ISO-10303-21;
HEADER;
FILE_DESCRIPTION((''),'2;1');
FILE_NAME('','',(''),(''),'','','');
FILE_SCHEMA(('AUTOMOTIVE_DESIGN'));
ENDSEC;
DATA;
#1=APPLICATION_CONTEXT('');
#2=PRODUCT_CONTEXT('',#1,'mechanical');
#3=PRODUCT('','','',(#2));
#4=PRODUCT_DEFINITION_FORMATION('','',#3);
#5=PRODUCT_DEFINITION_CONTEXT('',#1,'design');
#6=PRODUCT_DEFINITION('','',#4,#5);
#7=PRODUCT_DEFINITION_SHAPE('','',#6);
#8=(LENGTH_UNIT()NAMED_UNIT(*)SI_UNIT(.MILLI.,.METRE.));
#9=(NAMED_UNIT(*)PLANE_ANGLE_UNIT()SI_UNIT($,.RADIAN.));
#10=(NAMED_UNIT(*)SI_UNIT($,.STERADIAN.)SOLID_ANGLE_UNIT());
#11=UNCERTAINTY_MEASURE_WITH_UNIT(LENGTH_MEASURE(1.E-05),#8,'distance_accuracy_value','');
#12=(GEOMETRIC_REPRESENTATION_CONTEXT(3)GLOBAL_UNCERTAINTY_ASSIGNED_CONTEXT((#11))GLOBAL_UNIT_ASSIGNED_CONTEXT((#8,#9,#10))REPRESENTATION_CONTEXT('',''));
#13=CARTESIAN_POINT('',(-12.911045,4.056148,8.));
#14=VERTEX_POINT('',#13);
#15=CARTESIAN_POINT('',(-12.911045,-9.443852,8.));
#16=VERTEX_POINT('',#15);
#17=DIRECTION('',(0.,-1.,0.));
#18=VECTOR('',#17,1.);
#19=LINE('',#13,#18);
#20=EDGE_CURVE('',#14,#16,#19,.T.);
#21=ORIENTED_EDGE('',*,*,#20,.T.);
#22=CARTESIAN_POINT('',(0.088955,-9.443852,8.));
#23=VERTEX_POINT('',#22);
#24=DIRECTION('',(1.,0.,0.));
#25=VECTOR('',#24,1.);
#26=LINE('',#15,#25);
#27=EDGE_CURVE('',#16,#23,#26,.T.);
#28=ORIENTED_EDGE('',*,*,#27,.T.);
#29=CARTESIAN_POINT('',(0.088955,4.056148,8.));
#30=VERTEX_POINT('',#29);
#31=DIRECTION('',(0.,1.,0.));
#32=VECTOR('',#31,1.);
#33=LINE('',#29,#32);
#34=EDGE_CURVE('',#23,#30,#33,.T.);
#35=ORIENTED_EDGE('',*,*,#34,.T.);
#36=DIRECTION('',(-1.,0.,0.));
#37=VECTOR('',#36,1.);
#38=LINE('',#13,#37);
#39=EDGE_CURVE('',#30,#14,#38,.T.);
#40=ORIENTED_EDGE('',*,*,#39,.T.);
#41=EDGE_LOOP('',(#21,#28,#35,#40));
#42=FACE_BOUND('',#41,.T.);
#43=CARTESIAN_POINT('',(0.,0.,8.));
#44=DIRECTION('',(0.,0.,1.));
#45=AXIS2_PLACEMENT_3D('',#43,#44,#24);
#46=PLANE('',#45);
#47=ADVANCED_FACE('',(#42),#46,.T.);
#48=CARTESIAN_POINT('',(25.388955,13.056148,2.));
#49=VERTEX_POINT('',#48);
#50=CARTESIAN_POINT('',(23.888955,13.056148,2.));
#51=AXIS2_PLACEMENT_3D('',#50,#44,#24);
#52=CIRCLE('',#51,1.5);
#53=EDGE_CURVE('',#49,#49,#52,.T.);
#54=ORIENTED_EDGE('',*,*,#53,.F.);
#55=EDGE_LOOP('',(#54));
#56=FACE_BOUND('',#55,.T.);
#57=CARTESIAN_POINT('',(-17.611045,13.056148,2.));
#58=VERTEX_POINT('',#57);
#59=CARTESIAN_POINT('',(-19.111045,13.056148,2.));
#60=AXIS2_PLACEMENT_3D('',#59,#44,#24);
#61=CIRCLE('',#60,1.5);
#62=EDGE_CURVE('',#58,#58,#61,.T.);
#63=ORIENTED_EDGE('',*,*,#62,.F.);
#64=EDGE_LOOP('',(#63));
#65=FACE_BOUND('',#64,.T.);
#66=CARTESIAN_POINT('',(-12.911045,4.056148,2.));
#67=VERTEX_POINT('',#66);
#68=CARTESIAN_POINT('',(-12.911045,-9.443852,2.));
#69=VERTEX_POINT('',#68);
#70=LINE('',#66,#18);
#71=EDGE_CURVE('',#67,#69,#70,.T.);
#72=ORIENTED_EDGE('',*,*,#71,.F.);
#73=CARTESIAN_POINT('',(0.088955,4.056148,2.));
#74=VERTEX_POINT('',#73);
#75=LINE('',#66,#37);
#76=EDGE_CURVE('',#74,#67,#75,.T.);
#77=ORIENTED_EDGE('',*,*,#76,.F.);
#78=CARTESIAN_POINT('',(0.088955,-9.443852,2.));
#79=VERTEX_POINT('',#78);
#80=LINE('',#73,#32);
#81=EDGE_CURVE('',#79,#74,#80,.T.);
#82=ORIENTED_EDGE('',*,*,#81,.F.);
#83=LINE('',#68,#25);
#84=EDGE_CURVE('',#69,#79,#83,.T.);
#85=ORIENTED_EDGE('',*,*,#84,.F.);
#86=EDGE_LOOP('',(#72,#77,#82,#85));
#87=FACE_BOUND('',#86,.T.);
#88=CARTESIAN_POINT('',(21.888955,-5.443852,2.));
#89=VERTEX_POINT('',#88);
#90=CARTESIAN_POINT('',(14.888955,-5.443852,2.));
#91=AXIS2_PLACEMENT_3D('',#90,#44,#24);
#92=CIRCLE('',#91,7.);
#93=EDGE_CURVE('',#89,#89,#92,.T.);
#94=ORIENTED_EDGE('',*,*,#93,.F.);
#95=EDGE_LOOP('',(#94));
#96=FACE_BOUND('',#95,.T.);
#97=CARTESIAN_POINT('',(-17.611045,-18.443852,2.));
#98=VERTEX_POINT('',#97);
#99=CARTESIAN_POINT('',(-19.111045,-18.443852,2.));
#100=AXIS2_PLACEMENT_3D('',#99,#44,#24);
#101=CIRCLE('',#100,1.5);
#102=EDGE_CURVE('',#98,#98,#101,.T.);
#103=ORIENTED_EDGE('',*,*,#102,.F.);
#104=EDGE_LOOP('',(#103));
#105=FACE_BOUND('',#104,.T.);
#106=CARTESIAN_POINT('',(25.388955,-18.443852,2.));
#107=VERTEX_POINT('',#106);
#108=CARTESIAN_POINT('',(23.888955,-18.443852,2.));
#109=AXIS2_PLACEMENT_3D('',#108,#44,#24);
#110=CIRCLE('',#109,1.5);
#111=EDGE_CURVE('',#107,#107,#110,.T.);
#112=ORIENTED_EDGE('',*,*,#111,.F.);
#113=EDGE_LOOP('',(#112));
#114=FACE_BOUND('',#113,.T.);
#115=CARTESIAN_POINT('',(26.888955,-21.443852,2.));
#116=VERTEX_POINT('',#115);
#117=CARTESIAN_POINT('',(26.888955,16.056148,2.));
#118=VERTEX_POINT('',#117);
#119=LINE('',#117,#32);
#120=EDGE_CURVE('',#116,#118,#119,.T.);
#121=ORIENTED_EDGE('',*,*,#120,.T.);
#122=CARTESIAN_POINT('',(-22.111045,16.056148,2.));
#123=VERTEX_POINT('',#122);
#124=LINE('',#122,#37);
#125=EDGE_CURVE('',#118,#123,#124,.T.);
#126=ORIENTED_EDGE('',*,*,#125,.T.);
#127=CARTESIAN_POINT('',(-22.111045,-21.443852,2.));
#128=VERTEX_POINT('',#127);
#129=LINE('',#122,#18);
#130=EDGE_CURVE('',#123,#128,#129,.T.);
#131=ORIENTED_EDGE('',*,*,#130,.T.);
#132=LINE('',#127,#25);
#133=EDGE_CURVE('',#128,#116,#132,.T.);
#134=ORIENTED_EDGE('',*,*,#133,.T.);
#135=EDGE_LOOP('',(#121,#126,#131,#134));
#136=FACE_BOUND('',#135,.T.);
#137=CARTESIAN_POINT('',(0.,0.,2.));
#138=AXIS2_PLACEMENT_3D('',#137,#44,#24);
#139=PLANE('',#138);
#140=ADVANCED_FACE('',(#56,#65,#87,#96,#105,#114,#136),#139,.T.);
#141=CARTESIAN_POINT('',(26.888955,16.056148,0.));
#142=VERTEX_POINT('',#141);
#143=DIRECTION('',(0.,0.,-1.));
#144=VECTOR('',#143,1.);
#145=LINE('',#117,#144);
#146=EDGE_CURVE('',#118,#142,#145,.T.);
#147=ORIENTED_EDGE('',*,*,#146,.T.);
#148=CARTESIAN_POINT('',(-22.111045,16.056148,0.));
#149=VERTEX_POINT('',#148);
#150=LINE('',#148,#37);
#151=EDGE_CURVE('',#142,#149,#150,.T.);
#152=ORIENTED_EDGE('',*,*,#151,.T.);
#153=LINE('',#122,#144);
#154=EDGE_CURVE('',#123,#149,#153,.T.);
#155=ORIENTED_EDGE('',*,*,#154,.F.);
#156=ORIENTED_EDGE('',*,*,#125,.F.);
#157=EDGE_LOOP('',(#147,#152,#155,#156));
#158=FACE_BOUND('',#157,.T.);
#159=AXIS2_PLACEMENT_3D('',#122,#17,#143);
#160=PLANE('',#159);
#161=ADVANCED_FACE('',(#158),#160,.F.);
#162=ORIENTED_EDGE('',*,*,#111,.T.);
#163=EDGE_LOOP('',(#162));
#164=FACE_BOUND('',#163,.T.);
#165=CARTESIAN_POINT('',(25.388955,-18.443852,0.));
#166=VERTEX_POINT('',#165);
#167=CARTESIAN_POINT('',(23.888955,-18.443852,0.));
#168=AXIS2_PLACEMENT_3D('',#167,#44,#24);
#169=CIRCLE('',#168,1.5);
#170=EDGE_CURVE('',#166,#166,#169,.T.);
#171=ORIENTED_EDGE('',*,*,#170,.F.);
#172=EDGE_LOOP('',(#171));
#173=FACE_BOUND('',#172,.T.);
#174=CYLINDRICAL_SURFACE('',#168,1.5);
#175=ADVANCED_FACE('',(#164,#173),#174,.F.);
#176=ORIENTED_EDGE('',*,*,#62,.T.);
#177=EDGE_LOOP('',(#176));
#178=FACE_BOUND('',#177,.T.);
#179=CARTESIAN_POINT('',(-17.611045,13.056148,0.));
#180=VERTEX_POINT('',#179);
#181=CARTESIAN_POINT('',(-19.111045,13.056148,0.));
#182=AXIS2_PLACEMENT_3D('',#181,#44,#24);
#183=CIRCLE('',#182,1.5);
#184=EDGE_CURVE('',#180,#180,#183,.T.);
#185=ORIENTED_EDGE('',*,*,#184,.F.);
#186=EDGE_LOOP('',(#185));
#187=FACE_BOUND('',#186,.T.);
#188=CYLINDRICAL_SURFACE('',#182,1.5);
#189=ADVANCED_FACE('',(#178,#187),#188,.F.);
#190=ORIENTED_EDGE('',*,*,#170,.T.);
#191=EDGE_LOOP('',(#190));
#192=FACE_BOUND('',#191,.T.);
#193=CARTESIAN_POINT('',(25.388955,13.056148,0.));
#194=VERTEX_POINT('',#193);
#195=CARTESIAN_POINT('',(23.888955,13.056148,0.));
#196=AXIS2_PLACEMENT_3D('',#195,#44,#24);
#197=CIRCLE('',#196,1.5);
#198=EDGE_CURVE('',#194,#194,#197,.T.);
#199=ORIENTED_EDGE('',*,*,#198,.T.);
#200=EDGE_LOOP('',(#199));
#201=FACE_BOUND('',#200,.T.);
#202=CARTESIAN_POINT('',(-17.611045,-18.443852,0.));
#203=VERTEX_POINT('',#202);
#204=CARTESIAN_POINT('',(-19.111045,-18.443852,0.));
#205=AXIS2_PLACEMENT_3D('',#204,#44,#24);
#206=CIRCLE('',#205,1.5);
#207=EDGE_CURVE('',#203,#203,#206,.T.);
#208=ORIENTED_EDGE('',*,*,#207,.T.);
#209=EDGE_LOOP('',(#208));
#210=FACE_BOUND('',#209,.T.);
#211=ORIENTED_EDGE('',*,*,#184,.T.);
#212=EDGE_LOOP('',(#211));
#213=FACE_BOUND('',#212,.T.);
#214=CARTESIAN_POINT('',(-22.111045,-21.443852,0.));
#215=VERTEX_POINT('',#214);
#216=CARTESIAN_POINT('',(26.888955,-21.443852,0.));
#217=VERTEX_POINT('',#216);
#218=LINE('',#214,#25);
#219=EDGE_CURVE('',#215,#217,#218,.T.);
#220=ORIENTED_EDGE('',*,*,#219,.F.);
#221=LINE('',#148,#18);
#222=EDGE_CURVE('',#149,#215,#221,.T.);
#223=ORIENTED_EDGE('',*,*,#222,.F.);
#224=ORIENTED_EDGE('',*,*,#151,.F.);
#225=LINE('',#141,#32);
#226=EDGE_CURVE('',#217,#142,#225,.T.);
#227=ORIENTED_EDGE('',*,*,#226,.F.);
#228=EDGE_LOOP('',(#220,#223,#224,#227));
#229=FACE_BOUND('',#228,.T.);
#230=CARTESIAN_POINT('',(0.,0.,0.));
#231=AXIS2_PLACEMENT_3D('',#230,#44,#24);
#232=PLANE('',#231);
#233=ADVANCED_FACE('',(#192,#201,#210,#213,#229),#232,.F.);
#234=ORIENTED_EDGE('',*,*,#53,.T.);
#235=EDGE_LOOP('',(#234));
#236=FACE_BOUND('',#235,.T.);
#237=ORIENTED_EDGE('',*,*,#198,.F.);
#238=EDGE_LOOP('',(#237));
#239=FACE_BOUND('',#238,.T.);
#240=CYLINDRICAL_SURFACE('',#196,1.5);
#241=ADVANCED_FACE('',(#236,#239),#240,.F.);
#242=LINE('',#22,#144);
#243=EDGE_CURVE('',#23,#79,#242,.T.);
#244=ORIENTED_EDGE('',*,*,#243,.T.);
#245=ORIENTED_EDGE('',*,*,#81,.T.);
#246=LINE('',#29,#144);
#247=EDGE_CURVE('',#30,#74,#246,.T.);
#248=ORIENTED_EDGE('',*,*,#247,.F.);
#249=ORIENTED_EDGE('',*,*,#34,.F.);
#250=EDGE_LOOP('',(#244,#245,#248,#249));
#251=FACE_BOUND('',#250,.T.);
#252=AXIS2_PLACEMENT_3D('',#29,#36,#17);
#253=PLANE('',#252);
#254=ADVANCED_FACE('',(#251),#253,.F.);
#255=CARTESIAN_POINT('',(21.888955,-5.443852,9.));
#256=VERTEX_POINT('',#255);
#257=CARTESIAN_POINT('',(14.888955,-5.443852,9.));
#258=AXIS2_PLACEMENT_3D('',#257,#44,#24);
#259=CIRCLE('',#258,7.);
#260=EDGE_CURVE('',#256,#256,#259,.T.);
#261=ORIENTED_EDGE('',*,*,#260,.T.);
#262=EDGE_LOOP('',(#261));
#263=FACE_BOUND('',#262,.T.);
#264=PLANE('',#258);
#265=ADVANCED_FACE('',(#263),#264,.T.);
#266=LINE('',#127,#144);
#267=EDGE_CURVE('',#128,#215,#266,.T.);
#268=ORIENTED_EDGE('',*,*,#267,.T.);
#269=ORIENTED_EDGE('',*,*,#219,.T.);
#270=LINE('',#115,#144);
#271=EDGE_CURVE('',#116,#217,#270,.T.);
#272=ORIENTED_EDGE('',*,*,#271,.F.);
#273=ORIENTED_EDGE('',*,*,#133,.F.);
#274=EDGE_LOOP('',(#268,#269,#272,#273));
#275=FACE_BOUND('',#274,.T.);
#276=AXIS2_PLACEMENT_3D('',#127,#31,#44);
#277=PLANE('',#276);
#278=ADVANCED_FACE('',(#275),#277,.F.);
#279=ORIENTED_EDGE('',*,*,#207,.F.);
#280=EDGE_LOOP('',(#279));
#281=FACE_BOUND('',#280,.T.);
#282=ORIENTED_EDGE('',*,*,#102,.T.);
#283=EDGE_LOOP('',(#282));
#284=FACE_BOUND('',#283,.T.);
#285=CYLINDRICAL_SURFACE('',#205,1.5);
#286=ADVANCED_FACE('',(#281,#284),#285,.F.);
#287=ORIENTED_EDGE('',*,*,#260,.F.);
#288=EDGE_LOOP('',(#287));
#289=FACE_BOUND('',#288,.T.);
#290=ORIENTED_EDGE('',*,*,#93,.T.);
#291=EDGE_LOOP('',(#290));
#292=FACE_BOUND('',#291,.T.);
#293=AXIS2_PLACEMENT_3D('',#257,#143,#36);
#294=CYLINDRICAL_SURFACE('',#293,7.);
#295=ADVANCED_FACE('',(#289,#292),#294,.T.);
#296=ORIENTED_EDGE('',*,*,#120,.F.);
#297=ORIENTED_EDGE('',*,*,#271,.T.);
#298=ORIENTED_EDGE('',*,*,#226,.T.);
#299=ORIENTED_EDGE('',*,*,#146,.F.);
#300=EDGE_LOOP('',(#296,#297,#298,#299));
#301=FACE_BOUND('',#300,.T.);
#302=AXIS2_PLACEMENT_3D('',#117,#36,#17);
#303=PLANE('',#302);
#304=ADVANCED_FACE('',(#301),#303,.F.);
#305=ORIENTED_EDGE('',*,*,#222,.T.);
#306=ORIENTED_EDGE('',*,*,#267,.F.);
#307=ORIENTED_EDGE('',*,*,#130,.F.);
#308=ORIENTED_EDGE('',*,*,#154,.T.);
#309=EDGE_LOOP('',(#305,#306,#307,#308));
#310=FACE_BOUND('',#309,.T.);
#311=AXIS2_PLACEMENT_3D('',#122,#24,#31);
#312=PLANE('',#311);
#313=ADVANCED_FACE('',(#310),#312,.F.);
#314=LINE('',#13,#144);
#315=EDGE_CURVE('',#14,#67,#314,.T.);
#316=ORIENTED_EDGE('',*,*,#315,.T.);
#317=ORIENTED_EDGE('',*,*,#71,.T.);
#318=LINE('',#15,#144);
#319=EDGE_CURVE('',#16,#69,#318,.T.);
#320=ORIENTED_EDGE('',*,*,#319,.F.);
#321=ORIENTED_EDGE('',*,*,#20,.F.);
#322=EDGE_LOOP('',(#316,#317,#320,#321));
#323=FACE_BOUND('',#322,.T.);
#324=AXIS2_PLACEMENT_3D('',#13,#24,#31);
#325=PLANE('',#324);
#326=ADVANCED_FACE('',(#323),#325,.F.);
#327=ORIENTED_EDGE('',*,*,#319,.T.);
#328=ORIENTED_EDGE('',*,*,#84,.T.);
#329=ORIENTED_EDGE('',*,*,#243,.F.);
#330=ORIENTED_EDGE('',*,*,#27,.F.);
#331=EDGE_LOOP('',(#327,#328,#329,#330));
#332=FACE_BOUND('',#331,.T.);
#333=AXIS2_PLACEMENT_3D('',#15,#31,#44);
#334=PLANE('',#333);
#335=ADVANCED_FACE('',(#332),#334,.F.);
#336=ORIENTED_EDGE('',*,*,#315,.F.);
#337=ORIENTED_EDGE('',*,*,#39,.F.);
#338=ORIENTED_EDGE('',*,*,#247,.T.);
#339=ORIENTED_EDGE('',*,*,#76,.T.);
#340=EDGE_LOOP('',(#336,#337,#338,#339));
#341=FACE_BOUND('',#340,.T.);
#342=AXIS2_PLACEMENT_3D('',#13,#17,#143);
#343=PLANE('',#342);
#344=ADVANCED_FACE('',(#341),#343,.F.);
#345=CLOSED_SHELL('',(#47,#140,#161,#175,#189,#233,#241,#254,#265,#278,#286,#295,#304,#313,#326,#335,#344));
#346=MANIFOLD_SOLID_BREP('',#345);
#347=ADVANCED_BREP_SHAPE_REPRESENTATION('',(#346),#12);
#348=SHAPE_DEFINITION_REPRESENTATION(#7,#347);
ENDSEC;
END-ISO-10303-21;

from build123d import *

# Parameters (mm, degrees)
SKETCH_1_W          = 49
SKETCH_1_H          = 37.5
EXTRUDE_1_DEPTH     = 2
SKETCH_2_R          = 1.5
CUT_EXTRUDE_1_DEPTH = 35.450757188
SKETCH_3_R          = 7
EXTRUDE_2_DEPTH     = 7
SKETCH_4_W          = 13
SKETCH_4_H          = 13.5
EXTRUDE_3_DEPTH     = 6


with BuildPart() as part:
    # Эскиз1 → Бобышка-Вытянуть1 (new body)
    with BuildSketch(Plane.XY):
        with Locations((2.388954836, -2.693851768)):
            Rectangle(SKETCH_1_W, SKETCH_1_H)
    extrude(amount=EXTRUDE_1_DEPTH)

    # Эскиз2 → Вырез-Вытянуть1 (cut, through all)
    with BuildSketch(Plane.XY.offset(2)):
        with Locations((-19.111045164, 13.056148232)):
            Circle(SKETCH_2_R)
        with Locations((23.888954836, 13.056148232)):
            Circle(SKETCH_2_R)
        with Locations((23.888954836, -18.443851768)):
            Circle(SKETCH_2_R)
        with Locations((-19.111045164, -18.443851768)):
            Circle(SKETCH_2_R)
    extrude(amount=-CUT_EXTRUDE_1_DEPTH, mode=Mode.SUBTRACT)

    # Эскиз3 → Бобышка-Вытянуть2 (add)
    with BuildSketch(Plane.XY.offset(2)):
        with Locations((14.888954836, -5.443851768)):
            Circle(SKETCH_3_R)
    extrude(amount=EXTRUDE_2_DEPTH)

    # Эскиз4 → Бобышка-Вытянуть3 (add)
    with BuildSketch(Plane.XY.offset(2)):
        with Locations((-6.411045164, -2.693851768)):
            Rectangle(SKETCH_4_W, SKETCH_4_H)
    extrude(amount=EXTRUDE_3_DEPTH)


solid = part.part
